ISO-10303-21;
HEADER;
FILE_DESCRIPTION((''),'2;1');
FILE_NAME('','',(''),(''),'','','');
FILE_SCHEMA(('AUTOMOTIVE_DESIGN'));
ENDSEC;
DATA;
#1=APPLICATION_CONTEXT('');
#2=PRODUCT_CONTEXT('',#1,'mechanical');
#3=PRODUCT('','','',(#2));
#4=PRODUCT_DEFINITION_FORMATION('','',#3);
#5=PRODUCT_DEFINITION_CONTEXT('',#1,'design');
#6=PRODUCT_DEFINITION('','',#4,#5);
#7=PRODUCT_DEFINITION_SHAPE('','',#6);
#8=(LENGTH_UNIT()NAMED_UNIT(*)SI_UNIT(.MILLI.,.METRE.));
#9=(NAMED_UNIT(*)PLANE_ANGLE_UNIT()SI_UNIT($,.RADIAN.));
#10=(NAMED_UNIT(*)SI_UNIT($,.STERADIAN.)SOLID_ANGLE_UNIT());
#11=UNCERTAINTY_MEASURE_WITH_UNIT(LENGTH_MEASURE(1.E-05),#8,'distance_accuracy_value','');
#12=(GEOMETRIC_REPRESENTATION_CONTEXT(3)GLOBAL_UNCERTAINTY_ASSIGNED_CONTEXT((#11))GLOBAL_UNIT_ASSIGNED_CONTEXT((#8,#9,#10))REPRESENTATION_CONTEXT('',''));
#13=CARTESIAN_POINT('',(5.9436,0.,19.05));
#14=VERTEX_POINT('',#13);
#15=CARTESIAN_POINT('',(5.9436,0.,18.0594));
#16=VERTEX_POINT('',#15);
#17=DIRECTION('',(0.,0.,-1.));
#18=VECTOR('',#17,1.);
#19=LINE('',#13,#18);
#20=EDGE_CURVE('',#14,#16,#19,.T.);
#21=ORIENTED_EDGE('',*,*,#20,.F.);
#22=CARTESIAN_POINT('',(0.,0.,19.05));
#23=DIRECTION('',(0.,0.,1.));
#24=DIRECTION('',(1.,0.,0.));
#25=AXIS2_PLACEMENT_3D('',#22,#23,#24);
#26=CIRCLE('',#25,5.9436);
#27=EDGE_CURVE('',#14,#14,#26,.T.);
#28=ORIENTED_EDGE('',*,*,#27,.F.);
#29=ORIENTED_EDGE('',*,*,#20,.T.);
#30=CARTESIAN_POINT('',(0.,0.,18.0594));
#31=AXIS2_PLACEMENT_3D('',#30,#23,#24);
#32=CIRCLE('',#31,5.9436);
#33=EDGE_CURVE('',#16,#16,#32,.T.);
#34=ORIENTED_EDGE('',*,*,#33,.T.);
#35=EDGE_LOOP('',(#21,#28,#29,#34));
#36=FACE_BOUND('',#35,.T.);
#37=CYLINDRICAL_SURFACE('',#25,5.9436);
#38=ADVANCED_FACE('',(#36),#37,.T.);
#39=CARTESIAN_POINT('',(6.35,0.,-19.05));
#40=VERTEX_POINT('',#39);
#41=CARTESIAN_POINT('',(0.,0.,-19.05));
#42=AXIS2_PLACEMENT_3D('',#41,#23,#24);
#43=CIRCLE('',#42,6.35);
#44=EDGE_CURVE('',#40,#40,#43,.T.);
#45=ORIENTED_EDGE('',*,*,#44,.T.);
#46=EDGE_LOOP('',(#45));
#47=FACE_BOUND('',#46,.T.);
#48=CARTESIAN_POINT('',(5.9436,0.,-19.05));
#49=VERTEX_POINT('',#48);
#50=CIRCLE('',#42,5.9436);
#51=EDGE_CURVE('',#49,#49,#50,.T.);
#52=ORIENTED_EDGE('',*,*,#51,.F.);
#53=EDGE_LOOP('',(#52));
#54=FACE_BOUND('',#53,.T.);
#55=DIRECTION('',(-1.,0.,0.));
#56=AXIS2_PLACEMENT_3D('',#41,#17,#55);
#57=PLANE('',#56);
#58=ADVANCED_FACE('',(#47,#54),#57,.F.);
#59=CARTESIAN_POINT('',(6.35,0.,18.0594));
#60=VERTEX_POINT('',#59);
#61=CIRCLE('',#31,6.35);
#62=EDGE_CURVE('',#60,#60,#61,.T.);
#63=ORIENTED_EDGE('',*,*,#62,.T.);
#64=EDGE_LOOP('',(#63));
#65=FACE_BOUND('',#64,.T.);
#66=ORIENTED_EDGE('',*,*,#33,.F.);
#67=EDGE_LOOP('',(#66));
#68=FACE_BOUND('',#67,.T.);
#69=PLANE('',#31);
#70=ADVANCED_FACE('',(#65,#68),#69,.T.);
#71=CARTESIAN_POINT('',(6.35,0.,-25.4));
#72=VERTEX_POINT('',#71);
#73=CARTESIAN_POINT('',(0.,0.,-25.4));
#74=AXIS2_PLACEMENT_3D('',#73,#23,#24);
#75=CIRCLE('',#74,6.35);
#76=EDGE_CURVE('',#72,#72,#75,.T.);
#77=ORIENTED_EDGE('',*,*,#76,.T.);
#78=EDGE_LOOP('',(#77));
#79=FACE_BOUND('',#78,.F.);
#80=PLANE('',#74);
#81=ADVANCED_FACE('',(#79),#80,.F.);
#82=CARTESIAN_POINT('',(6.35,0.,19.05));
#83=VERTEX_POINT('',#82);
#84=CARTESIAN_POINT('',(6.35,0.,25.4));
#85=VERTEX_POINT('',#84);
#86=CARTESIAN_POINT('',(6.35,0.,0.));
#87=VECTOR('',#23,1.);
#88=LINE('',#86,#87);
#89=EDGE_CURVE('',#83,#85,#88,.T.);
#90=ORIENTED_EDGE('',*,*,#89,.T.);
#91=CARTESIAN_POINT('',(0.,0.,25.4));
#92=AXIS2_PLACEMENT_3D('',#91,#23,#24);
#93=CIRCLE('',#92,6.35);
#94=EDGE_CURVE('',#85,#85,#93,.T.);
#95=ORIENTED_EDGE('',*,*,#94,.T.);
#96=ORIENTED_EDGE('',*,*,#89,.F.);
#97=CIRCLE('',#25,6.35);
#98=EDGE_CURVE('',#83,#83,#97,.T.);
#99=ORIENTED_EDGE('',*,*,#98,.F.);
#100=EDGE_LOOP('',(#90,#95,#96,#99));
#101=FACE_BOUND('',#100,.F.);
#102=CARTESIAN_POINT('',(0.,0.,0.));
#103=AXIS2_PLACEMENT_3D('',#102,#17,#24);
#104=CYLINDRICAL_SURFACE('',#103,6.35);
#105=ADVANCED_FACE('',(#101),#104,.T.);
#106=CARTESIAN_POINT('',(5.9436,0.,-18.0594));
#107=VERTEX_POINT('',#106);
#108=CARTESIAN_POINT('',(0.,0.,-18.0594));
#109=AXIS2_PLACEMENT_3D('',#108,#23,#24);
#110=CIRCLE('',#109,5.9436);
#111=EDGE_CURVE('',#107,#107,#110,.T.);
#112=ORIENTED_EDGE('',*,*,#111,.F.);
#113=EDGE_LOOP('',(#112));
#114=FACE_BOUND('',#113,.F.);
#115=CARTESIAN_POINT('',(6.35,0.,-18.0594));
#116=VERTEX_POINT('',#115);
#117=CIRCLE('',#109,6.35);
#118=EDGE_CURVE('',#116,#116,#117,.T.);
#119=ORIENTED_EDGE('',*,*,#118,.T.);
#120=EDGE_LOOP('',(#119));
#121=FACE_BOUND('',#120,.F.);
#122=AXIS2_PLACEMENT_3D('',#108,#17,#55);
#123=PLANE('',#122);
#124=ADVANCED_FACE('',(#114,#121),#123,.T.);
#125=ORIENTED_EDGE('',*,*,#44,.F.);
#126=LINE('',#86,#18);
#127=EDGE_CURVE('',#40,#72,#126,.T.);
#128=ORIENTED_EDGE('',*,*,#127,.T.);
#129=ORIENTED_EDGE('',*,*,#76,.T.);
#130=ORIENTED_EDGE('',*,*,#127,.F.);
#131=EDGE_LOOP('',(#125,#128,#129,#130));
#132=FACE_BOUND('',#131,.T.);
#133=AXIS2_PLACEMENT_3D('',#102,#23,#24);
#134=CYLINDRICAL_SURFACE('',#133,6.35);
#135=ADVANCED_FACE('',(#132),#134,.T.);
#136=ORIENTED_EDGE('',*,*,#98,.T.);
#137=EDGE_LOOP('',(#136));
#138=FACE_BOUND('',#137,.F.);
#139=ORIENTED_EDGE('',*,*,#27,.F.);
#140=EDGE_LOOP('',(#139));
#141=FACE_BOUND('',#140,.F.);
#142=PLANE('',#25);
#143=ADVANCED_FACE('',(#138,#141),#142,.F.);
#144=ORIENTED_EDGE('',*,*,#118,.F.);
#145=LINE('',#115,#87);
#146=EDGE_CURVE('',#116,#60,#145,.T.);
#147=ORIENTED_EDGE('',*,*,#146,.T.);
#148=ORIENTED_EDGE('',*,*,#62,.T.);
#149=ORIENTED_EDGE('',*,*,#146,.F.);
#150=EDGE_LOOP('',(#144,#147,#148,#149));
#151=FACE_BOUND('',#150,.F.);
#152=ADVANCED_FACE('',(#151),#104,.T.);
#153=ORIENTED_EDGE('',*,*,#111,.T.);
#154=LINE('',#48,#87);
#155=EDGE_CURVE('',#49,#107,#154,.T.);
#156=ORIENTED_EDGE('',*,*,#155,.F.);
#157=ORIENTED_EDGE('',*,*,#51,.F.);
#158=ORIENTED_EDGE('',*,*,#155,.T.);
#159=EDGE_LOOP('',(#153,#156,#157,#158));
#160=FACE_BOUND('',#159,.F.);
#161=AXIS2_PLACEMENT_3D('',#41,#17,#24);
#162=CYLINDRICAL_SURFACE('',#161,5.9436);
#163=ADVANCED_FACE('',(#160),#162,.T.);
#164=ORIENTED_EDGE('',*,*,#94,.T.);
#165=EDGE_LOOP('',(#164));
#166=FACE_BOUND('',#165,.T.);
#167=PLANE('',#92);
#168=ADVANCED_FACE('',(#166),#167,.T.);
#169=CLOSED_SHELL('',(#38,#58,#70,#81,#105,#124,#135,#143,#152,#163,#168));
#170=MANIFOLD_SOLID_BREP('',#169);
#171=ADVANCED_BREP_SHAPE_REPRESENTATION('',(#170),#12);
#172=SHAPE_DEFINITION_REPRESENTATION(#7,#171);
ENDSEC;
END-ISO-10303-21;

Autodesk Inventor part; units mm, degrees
ref_plane "YZ Plane" through (0, 0, 0) normal (1, 0, 0) x (0, 1, 0)
ref_plane "XZ Plane" through (0, 0, 0) normal (0, 1, 0) x (-1, 0, 0)
sketch "Sketch1" plane through (0, 0, 0) normal (0, 0, 1) x (1, 0, 0)
  circle A0 centre (0, 0) radius 6.35
  dimension "d0" = 12.7
extrude "Extrusion1" add sketch "Sketch1" along normal mid plane 50.8
ref_plane "Work Plane1" through (0, 0, 19.05) normal (0, 0, 1) x (1, 0, 0)
sketch "Sketch2" plane through (0, 0, 19.05) normal (0, 0, 1) x (1, 0, 0)
  circle A0 centre (0, 0) radius 6.35 projected
  circle A1 centre (0, 0) radius 6.35
  circle A2 centre (0, 0) radius 5.9436
  dimension "d4" = 12.7
  dimension "d5" = 11.8872
extrude "Extrusion2" cut sketch "Sketch2" against normal blind 0.9906
mirror "Mirror1" about plane through (0, 0, 0) normal (0, 0, 1) of "Extrusion2"
ref_plane "Work Plane2" through (0, 0, -19.05) normal (0, 0, 1) x (1, 0, 0)
properties part number "Linear Actuator Top Pin .5in. Dia." material "Aluminum 6061"
